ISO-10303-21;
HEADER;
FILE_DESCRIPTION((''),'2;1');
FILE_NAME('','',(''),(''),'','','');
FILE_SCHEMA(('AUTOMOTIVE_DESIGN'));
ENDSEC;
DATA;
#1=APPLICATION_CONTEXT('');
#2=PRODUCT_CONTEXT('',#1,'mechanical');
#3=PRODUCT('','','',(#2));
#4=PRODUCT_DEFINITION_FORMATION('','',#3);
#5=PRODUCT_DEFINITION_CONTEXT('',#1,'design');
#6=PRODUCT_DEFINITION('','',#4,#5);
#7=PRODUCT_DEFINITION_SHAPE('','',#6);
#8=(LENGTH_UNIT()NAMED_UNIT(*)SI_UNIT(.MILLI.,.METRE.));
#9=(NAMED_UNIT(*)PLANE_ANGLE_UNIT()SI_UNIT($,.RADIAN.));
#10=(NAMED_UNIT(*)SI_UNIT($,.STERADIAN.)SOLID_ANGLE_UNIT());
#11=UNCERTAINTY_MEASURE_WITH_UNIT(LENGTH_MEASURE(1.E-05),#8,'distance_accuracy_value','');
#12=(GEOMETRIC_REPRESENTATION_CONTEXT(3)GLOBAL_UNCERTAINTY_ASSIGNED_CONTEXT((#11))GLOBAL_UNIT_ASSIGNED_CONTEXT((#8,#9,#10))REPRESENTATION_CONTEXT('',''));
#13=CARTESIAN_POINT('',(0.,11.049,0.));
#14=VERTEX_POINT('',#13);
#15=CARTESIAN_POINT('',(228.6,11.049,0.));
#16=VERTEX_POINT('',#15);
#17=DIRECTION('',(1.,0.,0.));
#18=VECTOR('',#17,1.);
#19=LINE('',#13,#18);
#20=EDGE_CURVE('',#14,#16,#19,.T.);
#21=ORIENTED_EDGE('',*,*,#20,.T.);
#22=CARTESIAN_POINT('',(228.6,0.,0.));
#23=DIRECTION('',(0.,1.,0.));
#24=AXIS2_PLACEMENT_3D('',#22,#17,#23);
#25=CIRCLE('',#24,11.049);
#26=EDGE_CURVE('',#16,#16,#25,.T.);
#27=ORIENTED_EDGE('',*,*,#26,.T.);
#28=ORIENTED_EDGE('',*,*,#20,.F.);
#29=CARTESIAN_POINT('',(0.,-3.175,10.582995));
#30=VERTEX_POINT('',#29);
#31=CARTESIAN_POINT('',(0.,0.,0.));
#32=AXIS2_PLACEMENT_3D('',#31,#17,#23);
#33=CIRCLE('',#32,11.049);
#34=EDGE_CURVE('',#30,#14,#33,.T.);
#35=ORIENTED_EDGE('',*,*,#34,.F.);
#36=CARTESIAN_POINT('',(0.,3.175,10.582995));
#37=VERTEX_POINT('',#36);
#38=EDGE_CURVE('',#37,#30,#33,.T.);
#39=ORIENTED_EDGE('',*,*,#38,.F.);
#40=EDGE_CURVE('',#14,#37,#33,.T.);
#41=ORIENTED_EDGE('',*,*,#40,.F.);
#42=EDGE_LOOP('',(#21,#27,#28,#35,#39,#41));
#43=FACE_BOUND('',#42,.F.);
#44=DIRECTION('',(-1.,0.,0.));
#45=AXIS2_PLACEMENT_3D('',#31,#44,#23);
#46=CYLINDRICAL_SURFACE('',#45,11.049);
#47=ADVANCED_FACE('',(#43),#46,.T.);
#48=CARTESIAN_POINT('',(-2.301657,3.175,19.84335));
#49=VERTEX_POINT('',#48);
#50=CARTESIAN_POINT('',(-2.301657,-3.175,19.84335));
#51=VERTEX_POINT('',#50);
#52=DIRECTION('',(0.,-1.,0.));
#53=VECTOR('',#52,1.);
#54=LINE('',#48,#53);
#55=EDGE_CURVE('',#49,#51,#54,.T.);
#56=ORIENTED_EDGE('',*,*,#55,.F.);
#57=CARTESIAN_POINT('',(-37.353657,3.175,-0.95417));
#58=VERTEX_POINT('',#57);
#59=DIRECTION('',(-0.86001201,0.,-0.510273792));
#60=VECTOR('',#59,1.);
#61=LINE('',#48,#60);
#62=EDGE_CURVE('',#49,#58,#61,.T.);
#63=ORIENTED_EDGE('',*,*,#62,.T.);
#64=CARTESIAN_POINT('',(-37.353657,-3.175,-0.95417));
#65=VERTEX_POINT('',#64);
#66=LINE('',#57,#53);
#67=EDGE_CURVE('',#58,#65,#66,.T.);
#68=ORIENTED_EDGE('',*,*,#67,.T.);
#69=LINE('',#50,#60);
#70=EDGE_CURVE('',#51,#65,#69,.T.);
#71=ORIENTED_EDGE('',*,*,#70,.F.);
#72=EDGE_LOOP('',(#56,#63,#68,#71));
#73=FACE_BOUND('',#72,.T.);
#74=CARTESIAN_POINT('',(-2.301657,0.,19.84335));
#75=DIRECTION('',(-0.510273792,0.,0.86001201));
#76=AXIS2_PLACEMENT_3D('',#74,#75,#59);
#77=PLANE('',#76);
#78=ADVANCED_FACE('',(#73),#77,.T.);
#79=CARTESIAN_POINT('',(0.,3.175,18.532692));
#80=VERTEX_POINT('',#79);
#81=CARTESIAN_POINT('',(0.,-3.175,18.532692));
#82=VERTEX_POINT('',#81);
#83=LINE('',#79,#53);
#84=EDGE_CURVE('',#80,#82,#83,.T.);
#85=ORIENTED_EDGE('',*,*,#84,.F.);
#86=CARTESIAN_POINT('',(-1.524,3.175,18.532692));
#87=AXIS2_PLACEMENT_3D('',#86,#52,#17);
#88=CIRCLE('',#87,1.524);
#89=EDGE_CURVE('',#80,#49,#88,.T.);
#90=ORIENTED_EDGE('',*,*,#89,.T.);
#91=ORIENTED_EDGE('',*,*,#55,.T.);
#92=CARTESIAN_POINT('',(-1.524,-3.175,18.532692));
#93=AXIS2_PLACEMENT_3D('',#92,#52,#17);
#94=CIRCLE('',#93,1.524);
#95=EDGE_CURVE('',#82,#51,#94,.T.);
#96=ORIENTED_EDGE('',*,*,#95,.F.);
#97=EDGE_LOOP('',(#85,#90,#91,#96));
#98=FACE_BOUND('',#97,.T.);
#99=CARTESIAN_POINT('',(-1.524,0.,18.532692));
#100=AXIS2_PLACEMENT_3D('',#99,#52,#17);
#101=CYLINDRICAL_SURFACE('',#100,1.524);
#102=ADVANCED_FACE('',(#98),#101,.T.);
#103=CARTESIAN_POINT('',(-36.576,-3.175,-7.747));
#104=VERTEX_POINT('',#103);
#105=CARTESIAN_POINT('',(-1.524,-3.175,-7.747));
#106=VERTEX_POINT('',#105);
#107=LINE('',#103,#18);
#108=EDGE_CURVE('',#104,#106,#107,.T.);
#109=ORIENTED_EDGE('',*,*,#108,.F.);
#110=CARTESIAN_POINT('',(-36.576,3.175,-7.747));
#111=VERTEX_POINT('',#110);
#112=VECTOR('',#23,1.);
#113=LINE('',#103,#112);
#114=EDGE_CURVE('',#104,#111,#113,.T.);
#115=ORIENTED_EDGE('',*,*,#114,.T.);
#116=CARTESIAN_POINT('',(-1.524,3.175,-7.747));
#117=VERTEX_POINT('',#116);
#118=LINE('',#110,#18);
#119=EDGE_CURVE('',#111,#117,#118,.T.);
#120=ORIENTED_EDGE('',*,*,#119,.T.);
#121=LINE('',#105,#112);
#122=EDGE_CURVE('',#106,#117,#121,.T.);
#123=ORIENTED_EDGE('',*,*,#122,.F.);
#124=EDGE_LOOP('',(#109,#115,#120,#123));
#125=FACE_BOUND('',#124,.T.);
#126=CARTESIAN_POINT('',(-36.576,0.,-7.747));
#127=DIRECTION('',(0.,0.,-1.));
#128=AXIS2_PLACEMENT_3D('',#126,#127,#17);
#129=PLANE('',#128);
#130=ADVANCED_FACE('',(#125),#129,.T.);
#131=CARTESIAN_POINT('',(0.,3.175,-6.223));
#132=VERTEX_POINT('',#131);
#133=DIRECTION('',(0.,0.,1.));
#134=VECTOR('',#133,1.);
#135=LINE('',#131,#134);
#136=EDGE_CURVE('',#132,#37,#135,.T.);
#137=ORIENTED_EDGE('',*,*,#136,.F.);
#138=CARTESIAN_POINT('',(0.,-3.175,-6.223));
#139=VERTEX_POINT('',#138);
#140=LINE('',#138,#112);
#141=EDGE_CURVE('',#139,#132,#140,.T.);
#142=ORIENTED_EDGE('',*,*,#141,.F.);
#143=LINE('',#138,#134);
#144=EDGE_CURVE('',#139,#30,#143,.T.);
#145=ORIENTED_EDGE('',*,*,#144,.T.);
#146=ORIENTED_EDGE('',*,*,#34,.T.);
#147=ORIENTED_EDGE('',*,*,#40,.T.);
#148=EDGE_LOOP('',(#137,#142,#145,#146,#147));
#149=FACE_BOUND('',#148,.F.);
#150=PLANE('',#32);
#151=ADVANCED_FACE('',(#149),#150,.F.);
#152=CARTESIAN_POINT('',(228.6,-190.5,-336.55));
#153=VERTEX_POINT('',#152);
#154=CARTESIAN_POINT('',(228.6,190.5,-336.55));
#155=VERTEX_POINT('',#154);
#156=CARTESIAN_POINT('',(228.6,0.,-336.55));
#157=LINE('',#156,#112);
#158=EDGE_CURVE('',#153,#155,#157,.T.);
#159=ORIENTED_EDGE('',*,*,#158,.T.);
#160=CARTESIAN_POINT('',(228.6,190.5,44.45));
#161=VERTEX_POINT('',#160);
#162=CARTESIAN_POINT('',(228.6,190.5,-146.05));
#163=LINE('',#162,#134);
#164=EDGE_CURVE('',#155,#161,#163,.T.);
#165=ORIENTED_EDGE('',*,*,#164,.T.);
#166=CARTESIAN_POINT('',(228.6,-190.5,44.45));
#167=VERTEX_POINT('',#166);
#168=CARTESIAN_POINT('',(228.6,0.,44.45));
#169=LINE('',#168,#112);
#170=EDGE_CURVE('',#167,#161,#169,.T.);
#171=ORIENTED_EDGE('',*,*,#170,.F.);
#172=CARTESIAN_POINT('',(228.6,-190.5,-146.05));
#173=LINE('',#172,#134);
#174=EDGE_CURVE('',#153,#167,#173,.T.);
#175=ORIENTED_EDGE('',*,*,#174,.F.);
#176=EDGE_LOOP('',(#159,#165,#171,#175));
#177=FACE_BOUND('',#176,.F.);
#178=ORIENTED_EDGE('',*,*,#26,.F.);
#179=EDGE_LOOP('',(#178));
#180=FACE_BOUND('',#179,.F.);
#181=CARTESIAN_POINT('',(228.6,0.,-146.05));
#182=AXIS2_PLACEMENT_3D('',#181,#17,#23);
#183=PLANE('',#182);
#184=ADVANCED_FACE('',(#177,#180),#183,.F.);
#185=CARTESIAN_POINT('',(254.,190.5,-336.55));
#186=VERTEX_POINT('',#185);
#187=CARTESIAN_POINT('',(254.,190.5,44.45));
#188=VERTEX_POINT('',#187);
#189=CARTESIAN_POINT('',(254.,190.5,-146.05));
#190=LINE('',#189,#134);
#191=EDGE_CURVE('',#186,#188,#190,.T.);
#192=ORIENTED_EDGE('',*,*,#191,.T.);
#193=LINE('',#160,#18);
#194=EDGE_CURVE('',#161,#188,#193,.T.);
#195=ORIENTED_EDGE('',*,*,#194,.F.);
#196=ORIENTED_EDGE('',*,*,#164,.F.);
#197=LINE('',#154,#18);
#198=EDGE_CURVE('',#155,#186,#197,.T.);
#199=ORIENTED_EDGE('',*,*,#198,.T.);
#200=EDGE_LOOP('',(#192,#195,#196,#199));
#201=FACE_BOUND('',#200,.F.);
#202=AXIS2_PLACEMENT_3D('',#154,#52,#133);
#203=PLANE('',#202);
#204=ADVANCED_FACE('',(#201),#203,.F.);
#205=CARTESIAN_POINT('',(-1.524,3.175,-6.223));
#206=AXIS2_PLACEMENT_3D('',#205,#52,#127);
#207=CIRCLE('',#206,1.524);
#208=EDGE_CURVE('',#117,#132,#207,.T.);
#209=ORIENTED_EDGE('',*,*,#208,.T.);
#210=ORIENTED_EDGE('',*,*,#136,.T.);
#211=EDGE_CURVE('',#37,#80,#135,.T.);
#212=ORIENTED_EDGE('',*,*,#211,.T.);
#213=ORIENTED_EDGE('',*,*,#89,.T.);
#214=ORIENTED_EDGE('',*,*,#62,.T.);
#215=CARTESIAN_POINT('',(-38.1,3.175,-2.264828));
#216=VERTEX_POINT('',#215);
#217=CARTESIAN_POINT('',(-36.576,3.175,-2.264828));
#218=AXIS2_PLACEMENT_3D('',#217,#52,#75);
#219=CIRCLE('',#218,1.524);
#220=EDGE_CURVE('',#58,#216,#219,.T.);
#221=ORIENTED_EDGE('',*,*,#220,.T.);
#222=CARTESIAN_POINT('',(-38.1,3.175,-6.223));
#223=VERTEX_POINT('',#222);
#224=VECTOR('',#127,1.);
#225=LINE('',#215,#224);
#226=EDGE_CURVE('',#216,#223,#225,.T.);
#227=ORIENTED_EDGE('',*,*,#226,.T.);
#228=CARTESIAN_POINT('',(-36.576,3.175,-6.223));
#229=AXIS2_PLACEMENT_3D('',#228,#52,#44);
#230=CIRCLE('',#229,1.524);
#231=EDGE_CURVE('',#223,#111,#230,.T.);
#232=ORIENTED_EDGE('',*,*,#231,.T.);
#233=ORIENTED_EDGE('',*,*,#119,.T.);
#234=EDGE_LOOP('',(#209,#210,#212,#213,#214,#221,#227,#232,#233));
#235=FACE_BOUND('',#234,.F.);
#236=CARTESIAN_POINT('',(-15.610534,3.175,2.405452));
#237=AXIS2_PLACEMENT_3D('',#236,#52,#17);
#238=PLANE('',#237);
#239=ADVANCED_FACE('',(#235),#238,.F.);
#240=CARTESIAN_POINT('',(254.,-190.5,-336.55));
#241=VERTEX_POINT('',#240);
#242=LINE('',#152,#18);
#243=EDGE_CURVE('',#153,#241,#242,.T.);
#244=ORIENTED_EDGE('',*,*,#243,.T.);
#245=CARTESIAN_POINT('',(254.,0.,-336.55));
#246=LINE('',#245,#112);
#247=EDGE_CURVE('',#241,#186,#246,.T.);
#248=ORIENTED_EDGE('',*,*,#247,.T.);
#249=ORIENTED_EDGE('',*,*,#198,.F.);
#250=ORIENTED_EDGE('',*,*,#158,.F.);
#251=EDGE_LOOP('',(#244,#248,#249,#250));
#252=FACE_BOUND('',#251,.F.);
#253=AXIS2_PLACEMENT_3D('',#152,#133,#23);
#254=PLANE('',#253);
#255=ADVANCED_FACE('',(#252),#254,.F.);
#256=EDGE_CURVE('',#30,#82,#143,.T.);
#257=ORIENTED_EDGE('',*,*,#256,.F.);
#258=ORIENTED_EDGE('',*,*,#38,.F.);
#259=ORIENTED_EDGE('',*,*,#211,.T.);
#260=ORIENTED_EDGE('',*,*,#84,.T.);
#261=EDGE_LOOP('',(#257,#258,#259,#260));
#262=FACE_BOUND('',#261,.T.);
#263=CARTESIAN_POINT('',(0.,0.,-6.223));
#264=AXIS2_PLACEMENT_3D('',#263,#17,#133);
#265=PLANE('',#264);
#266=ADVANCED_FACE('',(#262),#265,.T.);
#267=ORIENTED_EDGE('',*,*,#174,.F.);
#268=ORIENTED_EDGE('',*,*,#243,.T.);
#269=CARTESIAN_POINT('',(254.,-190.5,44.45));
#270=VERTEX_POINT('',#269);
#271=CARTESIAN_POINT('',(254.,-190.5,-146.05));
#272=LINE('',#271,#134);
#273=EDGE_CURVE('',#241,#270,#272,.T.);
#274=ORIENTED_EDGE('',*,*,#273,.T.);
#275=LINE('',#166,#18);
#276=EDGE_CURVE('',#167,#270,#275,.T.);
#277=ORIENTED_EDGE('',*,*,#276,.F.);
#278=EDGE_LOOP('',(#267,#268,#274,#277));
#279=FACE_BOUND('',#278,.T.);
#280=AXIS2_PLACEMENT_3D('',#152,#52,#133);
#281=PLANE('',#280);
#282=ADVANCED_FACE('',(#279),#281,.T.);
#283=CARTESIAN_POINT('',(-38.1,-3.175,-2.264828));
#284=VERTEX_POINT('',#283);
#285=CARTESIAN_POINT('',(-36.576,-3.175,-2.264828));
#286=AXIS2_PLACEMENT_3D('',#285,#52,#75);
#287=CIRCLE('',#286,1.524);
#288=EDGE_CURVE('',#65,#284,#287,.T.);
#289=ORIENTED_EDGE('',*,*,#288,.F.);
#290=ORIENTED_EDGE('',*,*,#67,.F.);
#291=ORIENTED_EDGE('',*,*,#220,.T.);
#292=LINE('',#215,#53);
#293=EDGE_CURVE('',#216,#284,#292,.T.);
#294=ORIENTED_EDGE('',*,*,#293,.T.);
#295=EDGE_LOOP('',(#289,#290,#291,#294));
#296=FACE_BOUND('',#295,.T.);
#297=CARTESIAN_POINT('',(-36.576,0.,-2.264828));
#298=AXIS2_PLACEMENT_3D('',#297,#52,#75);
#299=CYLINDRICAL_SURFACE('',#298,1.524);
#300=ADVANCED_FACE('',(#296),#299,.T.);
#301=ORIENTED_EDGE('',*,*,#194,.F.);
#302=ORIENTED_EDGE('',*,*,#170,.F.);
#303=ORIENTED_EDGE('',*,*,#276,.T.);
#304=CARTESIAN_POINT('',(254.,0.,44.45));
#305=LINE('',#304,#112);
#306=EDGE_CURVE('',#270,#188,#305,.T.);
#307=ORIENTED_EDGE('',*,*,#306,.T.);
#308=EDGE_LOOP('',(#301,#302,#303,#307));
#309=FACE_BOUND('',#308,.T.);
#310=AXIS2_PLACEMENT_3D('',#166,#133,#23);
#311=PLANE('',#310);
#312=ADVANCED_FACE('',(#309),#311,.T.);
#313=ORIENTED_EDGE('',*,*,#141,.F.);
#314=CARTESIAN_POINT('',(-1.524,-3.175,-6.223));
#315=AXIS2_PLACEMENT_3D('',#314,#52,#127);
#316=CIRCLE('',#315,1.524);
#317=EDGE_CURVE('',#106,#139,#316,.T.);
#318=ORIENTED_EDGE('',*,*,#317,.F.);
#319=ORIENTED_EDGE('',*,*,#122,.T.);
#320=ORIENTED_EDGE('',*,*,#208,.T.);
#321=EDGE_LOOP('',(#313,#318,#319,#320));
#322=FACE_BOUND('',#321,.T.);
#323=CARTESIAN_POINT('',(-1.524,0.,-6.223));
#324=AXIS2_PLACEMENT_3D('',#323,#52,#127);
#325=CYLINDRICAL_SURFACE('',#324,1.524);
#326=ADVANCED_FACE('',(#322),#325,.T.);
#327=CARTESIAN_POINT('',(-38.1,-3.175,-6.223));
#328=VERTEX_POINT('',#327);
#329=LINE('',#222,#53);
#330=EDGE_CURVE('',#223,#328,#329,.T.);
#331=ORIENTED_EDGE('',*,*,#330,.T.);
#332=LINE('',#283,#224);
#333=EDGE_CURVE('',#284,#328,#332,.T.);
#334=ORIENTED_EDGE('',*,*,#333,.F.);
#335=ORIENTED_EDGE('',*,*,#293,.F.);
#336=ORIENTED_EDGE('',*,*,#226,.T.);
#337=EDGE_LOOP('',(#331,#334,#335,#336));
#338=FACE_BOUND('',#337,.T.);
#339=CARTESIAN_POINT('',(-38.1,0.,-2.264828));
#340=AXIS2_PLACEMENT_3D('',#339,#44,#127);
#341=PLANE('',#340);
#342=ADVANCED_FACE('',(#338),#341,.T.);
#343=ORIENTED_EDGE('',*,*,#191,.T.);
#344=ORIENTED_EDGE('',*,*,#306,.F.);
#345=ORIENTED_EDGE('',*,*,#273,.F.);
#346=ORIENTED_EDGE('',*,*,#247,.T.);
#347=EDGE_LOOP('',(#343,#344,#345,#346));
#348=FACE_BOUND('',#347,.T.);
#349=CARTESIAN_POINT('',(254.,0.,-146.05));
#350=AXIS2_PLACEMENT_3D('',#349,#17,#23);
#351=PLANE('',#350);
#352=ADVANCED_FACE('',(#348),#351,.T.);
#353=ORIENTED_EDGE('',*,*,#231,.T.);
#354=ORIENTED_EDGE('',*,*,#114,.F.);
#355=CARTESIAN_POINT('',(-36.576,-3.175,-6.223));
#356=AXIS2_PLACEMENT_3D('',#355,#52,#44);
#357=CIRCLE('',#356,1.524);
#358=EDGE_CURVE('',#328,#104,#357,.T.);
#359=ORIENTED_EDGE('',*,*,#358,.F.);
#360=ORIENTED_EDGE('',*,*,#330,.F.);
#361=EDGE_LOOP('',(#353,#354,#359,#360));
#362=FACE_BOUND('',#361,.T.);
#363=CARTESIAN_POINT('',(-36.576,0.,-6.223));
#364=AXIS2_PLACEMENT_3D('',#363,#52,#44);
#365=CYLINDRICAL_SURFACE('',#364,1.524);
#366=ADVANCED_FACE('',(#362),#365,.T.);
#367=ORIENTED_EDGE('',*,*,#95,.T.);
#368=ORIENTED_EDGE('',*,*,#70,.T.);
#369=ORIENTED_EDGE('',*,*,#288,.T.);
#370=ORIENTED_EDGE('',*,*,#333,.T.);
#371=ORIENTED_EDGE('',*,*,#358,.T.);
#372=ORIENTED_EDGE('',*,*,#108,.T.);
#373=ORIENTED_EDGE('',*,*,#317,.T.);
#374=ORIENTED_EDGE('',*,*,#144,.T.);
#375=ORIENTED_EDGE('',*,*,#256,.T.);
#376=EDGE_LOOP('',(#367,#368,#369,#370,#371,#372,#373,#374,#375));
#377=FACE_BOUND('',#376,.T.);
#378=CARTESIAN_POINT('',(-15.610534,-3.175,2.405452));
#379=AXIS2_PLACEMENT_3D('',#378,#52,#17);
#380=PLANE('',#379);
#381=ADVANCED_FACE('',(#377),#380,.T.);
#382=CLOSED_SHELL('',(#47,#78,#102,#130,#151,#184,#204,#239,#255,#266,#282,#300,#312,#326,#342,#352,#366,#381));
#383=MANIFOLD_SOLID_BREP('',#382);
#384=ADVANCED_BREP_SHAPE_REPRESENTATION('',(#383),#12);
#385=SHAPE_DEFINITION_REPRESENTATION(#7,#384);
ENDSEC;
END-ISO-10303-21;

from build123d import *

# Parameters (mm, degrees)
F1_DEPTH = 3.175
F2_R     = 11.049
F3_DEPTH = 228.6
F4_W     = 381
F4_H     = 381
F5_DEPTH = 25.4


with BuildPart() as f1:
    # F0 (on Front) → F1 (new body, symmetric)
    with BuildSketch(Plane.XZ):
        with BuildLine():
            Line((0, -6.223), (0, 18.5326917232))
            ThreePointArc((0, 18.5326917232), (-0.7698692632, 19.8570265871), (-2.3016572596, 19.843350026))
            Line((-2.3016572596, 19.843350026), (-37.3536572596, -0.954169974))
            ThreePointArc((-37.3536572596, -0.954169974), (-37.9003348639, -1.51069754), (-38.1, -2.2648282768))
            Line((-38.1, -2.2648282768), (-38.1, -6.223))
            ThreePointArc((-38.1, -6.223), (-37.6536307345, -7.3006307345), (-36.576, -7.747))
            Line((-36.576, -7.747), (-1.524, -7.747))
            ThreePointArc((-1.524, -7.747), (-0.4463692655, -7.3006307345), (0, -6.223))
        make_face()
    extrude(amount=F1_DEPTH, both=True)

    # F2 (on Right) → F3 (join)
    with BuildSketch(Plane.YZ):
        Circle(F2_R)
    extrude(amount=F3_DEPTH)

    # F4 (on face) → F5 (join)
    with BuildSketch(Plane.YZ.offset(228.6)):
        with Locations((0, -146.05)):
            Rectangle(F4_W, F4_H)
    extrude(amount=F5_DEPTH)


solid = f1.part
